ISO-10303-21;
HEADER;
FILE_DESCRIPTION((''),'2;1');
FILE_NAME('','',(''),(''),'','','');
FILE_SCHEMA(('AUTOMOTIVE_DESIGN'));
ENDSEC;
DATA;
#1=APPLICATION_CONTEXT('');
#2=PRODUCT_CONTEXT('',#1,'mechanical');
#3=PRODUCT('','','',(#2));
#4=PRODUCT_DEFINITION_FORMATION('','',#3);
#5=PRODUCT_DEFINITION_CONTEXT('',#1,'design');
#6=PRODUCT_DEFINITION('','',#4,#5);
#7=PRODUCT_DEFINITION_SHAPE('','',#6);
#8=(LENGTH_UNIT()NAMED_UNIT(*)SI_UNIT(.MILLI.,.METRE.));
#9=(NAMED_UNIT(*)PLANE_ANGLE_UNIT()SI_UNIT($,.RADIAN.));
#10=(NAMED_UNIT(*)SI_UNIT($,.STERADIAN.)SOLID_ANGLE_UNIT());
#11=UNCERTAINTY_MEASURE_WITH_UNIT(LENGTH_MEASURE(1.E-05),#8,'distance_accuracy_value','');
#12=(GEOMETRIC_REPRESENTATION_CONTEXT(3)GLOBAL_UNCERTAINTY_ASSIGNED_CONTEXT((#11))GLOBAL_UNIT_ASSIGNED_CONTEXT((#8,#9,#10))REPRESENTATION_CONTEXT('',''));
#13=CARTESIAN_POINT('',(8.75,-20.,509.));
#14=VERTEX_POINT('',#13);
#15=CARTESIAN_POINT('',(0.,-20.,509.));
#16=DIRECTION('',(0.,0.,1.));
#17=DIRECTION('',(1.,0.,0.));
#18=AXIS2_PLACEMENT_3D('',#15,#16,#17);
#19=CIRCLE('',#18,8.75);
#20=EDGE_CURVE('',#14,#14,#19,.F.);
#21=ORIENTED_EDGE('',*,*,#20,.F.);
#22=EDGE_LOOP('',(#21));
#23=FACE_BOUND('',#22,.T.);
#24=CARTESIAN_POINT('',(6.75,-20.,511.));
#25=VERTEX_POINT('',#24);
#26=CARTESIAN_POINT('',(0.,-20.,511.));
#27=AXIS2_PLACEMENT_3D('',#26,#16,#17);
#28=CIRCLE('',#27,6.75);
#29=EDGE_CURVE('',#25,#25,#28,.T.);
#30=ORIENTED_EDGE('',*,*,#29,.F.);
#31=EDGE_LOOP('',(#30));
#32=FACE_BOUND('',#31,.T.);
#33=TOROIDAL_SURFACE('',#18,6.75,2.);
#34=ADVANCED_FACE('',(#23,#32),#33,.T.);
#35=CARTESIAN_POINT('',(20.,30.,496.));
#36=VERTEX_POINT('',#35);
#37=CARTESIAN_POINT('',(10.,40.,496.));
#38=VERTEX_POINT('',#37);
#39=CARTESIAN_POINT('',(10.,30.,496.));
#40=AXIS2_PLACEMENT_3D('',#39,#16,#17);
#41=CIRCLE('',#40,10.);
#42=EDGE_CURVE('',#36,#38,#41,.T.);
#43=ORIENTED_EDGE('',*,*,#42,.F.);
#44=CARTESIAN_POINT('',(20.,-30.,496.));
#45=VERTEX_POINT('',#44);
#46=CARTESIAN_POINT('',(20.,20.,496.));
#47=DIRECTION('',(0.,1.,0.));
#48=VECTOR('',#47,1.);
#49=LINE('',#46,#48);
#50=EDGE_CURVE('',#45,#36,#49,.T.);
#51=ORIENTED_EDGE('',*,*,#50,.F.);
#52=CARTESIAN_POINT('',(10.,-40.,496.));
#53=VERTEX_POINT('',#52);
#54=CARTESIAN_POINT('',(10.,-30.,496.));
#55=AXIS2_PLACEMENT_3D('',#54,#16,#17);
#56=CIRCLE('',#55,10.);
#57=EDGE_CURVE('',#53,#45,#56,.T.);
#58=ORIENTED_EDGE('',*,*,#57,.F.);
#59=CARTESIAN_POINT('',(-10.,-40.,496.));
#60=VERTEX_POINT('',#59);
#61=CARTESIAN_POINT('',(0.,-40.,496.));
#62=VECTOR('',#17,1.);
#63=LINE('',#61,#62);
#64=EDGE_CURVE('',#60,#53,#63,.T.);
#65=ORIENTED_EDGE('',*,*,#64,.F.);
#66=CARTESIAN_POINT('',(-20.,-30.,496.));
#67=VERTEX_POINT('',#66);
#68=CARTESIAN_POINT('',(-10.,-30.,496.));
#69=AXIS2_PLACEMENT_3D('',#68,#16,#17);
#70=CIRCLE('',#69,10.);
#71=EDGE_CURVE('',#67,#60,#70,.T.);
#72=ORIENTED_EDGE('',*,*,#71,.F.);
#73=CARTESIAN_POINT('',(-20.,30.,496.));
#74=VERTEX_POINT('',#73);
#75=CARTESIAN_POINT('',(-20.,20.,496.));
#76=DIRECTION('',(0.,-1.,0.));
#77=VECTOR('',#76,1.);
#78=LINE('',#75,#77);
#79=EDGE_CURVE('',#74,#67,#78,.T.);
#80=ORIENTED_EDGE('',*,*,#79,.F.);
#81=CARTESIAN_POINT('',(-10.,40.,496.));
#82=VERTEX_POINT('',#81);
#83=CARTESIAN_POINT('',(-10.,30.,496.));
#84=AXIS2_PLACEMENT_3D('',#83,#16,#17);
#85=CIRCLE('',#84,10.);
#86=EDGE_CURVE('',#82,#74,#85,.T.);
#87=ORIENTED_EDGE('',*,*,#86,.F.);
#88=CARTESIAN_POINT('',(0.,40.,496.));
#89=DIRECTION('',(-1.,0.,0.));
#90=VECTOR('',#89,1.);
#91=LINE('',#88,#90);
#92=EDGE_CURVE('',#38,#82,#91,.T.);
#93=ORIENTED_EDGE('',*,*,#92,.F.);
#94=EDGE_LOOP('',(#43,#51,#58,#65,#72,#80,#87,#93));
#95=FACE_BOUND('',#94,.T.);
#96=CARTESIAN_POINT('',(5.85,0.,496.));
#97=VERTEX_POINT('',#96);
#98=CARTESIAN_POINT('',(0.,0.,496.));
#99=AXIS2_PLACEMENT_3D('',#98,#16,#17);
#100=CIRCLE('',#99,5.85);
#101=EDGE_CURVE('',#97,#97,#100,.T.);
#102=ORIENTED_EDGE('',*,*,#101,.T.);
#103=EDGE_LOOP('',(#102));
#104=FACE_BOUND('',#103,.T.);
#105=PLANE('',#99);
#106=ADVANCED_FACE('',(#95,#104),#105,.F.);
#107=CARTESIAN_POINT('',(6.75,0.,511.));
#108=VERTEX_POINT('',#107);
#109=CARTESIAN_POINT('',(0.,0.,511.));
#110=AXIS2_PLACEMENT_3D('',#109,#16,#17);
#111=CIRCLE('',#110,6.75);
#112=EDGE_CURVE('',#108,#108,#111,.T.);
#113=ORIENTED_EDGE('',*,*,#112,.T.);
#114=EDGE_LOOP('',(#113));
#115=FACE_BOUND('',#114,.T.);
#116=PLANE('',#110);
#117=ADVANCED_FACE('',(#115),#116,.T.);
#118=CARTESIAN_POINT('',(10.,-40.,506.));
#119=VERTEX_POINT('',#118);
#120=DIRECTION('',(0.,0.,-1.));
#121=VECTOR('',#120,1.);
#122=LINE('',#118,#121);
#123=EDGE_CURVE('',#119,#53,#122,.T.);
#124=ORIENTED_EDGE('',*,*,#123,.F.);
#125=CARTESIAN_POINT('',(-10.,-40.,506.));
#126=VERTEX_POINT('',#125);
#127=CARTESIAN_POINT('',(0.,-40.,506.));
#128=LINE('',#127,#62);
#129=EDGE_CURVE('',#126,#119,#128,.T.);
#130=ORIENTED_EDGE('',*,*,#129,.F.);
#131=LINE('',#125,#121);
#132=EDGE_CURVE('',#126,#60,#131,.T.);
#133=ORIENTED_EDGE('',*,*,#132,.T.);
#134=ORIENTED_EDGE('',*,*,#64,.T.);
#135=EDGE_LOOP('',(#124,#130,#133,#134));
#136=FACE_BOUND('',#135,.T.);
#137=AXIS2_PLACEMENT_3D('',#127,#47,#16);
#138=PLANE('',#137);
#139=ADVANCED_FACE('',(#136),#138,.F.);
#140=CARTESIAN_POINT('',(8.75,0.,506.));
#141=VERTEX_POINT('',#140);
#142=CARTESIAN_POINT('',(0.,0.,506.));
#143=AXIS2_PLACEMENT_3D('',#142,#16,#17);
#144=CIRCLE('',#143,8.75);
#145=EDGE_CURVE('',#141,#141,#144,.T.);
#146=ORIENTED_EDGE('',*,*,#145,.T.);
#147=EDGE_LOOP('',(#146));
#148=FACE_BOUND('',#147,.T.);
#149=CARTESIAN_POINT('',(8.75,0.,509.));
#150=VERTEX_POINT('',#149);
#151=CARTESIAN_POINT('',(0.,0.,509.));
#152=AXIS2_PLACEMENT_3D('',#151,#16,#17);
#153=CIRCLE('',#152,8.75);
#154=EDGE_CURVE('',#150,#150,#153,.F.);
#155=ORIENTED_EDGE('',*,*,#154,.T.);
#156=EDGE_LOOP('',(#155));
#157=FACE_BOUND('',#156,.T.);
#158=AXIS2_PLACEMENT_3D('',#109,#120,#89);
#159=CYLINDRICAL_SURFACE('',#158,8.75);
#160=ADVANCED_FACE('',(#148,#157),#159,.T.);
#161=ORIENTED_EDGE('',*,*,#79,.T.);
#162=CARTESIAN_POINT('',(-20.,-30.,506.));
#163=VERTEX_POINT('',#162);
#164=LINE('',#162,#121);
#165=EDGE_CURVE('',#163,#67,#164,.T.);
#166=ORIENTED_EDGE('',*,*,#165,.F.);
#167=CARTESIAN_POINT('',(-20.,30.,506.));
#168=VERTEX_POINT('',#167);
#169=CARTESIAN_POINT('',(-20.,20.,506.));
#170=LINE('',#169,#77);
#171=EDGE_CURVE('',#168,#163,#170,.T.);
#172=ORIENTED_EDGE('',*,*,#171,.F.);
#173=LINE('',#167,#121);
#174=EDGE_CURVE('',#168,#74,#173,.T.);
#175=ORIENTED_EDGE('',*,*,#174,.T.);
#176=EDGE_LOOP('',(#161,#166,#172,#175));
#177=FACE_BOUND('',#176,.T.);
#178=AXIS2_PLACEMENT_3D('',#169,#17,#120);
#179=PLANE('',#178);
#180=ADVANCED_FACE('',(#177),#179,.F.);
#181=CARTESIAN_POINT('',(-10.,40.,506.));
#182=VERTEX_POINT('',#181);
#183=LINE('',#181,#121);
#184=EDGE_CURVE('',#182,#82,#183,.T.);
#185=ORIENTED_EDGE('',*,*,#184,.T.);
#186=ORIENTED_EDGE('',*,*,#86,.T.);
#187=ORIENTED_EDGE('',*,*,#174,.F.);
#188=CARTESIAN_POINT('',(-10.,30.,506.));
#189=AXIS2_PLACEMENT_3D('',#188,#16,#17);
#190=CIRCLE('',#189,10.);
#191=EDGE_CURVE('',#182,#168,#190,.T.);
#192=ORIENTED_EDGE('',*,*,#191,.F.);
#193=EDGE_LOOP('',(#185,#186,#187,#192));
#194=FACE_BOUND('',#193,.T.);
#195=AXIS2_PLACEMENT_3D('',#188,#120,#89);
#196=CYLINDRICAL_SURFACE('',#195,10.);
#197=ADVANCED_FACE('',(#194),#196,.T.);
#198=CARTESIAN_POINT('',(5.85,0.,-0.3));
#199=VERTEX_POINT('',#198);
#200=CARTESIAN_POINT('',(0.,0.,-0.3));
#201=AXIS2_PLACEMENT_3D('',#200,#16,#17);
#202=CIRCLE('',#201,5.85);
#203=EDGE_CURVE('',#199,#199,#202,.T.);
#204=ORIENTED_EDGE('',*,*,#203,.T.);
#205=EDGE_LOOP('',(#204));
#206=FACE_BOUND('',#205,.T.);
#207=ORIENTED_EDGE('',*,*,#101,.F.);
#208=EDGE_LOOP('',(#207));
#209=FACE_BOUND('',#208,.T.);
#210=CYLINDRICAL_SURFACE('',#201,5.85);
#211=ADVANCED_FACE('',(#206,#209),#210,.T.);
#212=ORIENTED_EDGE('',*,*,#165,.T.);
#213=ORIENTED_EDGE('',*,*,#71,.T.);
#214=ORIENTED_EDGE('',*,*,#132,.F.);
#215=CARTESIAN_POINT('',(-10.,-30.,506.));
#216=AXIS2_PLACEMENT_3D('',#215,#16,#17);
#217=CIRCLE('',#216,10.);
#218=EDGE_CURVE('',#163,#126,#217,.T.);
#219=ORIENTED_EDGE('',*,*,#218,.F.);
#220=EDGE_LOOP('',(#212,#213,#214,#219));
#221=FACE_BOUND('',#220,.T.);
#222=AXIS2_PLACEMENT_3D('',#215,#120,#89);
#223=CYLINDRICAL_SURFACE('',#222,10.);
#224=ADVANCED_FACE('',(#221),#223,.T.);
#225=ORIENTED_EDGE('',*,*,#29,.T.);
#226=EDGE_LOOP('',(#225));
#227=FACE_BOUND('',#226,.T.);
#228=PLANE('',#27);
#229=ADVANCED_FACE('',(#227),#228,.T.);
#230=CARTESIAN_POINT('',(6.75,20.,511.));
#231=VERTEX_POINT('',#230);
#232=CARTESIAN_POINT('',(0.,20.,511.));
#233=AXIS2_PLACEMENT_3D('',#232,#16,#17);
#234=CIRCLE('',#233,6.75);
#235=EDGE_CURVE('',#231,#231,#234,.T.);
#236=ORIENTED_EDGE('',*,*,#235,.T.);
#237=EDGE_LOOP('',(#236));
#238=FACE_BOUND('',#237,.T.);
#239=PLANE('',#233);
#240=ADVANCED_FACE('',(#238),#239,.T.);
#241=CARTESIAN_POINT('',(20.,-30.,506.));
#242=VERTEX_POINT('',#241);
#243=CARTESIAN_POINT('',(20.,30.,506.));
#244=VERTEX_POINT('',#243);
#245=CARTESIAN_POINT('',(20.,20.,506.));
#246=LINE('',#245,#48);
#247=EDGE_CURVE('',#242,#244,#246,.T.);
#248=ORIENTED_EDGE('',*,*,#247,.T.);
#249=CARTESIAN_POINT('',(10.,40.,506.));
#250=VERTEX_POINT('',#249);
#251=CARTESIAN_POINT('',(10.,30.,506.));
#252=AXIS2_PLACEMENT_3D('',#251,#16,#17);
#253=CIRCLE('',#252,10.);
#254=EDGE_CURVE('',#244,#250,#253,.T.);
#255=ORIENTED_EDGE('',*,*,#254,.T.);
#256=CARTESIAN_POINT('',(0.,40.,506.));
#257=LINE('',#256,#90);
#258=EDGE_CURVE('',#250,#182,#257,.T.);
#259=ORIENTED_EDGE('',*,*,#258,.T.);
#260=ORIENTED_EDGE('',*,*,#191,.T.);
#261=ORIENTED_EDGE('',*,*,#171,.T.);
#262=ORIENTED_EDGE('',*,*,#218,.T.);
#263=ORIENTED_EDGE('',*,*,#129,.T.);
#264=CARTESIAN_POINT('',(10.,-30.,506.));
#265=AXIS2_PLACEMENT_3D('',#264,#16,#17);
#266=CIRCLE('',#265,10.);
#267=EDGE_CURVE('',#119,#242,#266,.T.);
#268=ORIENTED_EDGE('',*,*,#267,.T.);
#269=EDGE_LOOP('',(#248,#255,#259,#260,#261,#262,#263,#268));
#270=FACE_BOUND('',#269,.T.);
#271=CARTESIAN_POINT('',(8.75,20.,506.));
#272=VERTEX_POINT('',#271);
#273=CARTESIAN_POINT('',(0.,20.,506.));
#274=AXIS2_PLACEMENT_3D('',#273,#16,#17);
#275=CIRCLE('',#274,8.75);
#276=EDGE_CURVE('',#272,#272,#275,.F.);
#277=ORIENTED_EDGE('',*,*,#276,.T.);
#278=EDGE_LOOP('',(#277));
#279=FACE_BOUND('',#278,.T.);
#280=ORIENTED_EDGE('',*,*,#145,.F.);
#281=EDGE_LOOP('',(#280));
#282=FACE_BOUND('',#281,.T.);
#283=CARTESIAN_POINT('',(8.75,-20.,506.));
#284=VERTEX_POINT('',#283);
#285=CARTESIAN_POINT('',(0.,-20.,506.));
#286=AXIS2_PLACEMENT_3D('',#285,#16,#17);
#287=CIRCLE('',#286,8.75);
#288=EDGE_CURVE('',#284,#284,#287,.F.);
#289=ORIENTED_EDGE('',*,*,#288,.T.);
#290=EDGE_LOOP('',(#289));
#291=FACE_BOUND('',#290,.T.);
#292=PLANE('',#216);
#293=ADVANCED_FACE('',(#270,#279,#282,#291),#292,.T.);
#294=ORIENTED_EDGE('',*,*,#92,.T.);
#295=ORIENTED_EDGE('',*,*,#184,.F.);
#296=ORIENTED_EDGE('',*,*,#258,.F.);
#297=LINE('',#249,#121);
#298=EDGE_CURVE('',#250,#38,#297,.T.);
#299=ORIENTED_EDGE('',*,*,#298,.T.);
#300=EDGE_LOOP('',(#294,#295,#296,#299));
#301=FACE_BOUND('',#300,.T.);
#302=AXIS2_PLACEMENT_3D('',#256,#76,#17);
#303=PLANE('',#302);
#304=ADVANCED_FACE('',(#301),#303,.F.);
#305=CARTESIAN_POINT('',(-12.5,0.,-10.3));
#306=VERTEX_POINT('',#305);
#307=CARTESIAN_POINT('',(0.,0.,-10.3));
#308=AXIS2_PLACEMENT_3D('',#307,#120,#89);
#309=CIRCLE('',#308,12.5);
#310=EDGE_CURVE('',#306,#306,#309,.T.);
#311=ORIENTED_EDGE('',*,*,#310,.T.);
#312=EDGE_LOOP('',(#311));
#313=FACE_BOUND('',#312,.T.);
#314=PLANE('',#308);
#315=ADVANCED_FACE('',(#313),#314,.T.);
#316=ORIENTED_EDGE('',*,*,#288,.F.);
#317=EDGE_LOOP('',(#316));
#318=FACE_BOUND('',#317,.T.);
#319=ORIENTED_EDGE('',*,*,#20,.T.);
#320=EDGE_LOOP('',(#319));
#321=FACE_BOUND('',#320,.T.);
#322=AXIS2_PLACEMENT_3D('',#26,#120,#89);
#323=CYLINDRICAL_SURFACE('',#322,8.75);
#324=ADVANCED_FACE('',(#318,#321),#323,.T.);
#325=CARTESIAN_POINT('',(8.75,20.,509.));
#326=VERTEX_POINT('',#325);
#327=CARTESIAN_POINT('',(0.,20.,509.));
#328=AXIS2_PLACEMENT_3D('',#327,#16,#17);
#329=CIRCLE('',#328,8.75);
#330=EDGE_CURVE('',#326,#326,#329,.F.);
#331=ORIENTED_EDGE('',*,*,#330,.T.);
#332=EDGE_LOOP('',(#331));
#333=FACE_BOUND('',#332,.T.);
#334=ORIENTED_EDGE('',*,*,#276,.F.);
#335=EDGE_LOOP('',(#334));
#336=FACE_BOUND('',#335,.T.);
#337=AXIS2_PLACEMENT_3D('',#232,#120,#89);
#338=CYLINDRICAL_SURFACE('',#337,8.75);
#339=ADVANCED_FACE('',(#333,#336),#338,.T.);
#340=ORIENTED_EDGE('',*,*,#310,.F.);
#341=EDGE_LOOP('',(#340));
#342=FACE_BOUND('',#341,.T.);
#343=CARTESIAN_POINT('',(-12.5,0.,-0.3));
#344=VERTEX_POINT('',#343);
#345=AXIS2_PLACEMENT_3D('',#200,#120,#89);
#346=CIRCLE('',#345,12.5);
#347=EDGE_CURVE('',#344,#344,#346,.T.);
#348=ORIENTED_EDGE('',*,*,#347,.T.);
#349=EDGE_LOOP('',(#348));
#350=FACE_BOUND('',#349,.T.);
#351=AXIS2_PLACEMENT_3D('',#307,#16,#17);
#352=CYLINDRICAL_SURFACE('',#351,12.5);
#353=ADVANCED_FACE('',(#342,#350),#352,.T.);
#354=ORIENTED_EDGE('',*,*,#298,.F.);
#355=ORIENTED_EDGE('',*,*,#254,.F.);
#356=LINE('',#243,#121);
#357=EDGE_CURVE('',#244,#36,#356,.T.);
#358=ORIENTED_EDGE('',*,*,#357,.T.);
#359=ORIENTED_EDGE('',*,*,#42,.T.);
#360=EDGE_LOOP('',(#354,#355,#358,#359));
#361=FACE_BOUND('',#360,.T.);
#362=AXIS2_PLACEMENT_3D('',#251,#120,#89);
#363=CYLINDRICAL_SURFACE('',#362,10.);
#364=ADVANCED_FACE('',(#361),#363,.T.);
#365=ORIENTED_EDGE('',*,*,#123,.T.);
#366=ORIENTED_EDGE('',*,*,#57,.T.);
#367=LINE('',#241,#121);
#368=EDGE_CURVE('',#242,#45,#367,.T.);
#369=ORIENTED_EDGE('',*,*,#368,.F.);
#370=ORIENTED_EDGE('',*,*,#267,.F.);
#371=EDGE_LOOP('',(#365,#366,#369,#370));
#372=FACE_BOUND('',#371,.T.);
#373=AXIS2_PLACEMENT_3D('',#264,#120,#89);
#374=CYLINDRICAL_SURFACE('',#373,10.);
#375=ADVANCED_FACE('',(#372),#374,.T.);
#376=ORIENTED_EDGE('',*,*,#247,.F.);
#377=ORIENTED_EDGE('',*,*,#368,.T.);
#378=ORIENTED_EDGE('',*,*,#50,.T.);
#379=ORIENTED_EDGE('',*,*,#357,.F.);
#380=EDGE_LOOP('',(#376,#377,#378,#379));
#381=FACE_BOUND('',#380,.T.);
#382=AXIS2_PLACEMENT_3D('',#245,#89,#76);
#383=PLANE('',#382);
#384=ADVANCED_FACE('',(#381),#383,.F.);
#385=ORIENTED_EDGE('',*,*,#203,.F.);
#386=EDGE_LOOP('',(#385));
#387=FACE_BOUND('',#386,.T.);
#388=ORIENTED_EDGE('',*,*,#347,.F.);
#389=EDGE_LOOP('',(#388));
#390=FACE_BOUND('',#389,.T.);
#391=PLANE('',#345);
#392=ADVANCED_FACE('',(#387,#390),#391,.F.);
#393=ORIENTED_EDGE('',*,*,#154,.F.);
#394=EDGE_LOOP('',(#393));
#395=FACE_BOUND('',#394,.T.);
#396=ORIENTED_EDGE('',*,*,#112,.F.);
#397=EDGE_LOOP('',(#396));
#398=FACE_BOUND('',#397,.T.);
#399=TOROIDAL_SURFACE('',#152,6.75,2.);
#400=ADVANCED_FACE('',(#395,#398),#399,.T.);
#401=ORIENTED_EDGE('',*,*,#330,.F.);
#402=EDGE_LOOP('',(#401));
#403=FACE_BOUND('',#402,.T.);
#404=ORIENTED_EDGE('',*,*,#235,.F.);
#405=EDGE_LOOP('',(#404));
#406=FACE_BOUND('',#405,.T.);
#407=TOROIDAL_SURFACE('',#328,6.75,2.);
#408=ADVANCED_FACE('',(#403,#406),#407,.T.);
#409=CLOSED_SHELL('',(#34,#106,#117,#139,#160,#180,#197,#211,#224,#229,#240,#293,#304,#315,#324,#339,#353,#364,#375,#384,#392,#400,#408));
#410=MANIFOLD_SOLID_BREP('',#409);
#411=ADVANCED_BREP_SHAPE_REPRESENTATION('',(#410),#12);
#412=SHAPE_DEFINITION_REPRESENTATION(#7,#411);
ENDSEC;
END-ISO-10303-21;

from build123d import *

# Parameters (mm, degrees)
SKETCH2_R                = 5.85
BOSS_EXTRUDE1_DEPTH      = 496
BOSS_EXTRUDE1_DEPTH_BACK = 0.3
SKETCH3_R                = 8.75
BOSS_EXTRUDE2_DEPTH      = 15
FILLET1_R                = 2
BOSS_EXTRUDE3_START      = -25
SKETCH5_R                = 8.75
BOSS_EXTRUDE3_DEPTH      = 15
BOSS_EXTRUDE3_2_DEPTH    = 15
FILLET2_R                = 2
FILLET3_R                = 2
BOSS_EXTRUDE4_START      = -25
BOSS_EXTRUDE4_DEPTH      = 10
SKETCH7_R                = 12.5
BOSS_EXTRUDE5_DEPTH      = 10


with BuildPart() as part:
    # Sketch2 → Boss-Extrude1 (new body, two sides)
    with BuildSketch(Plane.XY) as boss_extrude1_sk:
        Circle(SKETCH2_R)
    extrude(amount=BOSS_EXTRUDE1_DEPTH)
    extrude(boss_extrude1_sk.sketch, amount=-BOSS_EXTRUDE1_DEPTH_BACK)

    # Sketch3 → Boss-Extrude2 (add)
    with BuildSketch(Plane.XY.offset(496)):
        Circle(SKETCH3_R)
    extrude(amount=BOSS_EXTRUDE2_DEPTH)

    # Fillet1
    fillet1_edges = [part.edges().sort_by_distance(p)[0] for p in [
        (-8.75, 0, 511),
    ]]
    fillet(fillet1_edges, radius=FILLET1_R)



with BuildPart() as body_2:
    # Sketch5 → Boss-Extrude3 (new body)
    with BuildSketch(Plane.XY.offset(521).offset(BOSS_EXTRUDE3_START)):
        with Locations((0, 20)):
            Circle(SKETCH5_R)
    extrude(amount=BOSS_EXTRUDE3_DEPTH)

    # Fillet2
    fillet2_edges = [body_2.edges().sort_by_distance(p)[0] for p in [
        (-8.75, 20, 511),
    ]]
    fillet(fillet2_edges, radius=FILLET2_R)


with BuildPart() as body_3:
    # Sketch5 → Boss-Extrude3 2 (new body)
    with BuildSketch(Plane.XY.offset(521).offset(BOSS_EXTRUDE3_START)):
        with Locations((0, -20)):
            Circle(SKETCH5_R)
    extrude(amount=BOSS_EXTRUDE3_2_DEPTH)

    # Fillet3
    fillet3_edges = [body_3.edges().sort_by_distance(p)[0] for p in [
        (-8.75, -20, 511),
    ]]
    fillet(fillet3_edges, radius=FILLET3_R)


with BuildPart() as part_1:
    add(part.part)

    add(body_2.part)  # Boss-Extrude4 merges body 2

    add(body_3.part)  # Boss-Extrude4 merges body 3
    # Sketch6 → Boss-Extrude4 (add)
    with BuildSketch(Plane.XY.offset(521).offset(BOSS_EXTRUDE4_START)):
        with BuildLine():
            Line((10, -40), (-10, -40))
            ThreePointArc((-10, -40), (-17.071067812, -37.071067812), (-20, -30))
            Line((-20, -30), (-20, 30))
            ThreePointArc((-20, 30), (-17.071067812, 37.071067812), (-10, 40))
            Line((-10, 40), (10, 40))
            ThreePointArc((10, 40), (17.071067812, 37.071067812), (20, 30))
            Line((20, 30), (20, -30))
            ThreePointArc((20, -30), (17.071067812, -37.071067812), (10, -40))
        make_face()
    extrude(amount=BOSS_EXTRUDE4_DEPTH)

    # Sketch7 → Boss-Extrude5 (add)
    with BuildSketch(Plane(origin=(0, 0, -0.3), x_dir=(-1, 0, 0), z_dir=(0, 0, -1))):
        Circle(SKETCH7_R)
    extrude(amount=BOSS_EXTRUDE5_DEPTH)


solid = part_1.part
